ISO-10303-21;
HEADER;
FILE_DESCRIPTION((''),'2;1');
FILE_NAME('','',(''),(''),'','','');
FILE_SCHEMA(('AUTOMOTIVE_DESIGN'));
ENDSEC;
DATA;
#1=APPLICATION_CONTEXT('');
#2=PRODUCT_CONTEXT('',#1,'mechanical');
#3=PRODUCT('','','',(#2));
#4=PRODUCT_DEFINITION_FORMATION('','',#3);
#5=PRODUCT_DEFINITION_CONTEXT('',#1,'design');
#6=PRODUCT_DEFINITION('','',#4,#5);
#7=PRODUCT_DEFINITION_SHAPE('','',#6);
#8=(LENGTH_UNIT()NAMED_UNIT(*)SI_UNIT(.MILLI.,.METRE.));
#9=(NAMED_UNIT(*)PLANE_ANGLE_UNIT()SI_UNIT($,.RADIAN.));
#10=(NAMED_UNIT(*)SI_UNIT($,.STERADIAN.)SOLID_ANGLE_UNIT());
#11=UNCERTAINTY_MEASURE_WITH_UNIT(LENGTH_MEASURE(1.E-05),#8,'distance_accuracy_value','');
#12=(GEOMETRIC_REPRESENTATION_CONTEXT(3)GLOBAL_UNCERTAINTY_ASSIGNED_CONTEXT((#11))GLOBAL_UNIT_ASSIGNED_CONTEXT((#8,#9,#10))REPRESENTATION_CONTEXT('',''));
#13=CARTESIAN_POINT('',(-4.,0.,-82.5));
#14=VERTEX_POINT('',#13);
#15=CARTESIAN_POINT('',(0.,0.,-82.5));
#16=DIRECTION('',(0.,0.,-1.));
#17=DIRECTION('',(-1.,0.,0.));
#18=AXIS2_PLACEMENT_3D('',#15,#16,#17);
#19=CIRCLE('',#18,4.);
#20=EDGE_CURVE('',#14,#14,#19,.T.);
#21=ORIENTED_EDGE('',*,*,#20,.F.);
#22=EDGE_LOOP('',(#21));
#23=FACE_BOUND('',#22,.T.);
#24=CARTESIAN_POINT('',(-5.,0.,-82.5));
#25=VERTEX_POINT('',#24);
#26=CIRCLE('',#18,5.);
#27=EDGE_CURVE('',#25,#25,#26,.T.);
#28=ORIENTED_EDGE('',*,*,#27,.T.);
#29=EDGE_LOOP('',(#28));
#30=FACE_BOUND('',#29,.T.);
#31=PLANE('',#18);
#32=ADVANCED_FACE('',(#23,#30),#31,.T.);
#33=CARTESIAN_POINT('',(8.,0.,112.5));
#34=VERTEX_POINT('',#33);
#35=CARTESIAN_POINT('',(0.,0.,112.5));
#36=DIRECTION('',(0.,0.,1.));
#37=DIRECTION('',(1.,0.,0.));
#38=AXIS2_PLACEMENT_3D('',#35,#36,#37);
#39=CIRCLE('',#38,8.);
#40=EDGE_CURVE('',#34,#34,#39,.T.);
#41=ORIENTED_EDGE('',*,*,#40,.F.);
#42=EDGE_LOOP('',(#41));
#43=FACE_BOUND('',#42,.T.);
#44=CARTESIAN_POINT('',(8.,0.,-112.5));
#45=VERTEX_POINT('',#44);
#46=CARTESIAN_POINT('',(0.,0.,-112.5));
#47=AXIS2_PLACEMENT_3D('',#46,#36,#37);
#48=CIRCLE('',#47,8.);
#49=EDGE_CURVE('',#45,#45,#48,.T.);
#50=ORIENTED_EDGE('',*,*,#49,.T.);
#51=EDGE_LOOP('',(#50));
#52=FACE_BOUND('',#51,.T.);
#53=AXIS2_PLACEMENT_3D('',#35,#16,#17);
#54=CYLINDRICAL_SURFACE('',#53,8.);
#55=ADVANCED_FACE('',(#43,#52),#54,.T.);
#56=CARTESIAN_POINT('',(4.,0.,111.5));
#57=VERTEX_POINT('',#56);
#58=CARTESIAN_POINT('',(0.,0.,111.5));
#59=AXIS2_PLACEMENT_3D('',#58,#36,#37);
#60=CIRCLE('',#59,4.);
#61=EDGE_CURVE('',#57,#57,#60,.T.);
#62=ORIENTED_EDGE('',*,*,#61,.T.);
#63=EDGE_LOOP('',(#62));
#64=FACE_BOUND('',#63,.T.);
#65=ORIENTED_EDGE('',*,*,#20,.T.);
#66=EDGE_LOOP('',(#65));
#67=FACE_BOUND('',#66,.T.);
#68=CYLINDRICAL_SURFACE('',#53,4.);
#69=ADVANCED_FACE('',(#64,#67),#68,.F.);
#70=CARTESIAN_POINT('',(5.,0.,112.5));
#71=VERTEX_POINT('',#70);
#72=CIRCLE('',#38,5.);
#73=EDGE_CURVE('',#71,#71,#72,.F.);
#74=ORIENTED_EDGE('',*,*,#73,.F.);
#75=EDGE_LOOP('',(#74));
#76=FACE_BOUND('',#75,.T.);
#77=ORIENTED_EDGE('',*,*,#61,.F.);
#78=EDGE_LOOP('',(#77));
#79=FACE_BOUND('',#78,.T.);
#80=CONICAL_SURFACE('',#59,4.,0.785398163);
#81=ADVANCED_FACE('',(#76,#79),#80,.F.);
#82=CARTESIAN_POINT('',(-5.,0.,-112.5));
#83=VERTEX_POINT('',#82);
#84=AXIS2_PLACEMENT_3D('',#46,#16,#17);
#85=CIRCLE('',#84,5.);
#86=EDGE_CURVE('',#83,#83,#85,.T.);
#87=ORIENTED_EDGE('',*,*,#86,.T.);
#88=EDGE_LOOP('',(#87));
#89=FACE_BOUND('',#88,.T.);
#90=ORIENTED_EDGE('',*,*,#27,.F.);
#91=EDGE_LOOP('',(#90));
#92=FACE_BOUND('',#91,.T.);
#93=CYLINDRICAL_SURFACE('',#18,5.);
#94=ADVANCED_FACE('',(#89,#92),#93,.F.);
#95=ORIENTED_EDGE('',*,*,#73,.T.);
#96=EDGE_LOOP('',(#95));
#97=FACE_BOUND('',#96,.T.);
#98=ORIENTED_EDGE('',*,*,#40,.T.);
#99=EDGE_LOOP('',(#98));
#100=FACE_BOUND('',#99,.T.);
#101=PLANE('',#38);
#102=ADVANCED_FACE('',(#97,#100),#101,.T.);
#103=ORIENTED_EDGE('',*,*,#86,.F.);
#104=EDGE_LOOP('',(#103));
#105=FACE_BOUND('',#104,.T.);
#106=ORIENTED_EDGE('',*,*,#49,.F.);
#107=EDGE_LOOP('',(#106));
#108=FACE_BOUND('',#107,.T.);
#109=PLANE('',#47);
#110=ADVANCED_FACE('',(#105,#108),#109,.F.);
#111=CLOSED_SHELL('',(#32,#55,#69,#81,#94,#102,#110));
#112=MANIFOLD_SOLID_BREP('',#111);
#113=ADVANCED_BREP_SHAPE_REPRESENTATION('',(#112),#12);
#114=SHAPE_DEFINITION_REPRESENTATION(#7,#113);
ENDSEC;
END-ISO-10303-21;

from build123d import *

# Parameters (mm, degrees)
SZKIC1_R                    = 8
SZKIC1_R_2                  = 4
DODANIE_WYCI_GNI_CIE1_DEPTH = 112.5
SZKIC2_R                    = 5
WYTNIJ_WYCI_GNI_CIE1_DEPTH  = 30
SFAZOWANIE1_SIZE            = 1


with BuildPart() as part:
    # Szkic1 → Dodanie-wyciągnięcie1 (new, symmetric)
    with BuildSketch(Plane.XY):
        Circle(SZKIC1_R)
        Circle(SZKIC1_R_2, mode=Mode.SUBTRACT)
    extrude(amount=DODANIE_WYCI_GNI_CIE1_DEPTH, both=True)

    # Szkic2 → Wytnij-wyciągnięcie1 (cut)
    with BuildSketch(Plane(origin=(0, 0, -112.5), x_dir=(-1, 0, 0), z_dir=(0, 0, -1))):
        Circle(SZKIC2_R)
    extrude(amount=-WYTNIJ_WYCI_GNI_CIE1_DEPTH, mode=Mode.SUBTRACT)

    # Sfazowanie1
    sfazowanie1_edges = [part.edges().sort_by_distance(p)[0] for p in [
        (-4, 0, 112.5),
    ]]
    chamfer(sfazowanie1_edges, length=SFAZOWANIE1_SIZE)


solid = part.part
